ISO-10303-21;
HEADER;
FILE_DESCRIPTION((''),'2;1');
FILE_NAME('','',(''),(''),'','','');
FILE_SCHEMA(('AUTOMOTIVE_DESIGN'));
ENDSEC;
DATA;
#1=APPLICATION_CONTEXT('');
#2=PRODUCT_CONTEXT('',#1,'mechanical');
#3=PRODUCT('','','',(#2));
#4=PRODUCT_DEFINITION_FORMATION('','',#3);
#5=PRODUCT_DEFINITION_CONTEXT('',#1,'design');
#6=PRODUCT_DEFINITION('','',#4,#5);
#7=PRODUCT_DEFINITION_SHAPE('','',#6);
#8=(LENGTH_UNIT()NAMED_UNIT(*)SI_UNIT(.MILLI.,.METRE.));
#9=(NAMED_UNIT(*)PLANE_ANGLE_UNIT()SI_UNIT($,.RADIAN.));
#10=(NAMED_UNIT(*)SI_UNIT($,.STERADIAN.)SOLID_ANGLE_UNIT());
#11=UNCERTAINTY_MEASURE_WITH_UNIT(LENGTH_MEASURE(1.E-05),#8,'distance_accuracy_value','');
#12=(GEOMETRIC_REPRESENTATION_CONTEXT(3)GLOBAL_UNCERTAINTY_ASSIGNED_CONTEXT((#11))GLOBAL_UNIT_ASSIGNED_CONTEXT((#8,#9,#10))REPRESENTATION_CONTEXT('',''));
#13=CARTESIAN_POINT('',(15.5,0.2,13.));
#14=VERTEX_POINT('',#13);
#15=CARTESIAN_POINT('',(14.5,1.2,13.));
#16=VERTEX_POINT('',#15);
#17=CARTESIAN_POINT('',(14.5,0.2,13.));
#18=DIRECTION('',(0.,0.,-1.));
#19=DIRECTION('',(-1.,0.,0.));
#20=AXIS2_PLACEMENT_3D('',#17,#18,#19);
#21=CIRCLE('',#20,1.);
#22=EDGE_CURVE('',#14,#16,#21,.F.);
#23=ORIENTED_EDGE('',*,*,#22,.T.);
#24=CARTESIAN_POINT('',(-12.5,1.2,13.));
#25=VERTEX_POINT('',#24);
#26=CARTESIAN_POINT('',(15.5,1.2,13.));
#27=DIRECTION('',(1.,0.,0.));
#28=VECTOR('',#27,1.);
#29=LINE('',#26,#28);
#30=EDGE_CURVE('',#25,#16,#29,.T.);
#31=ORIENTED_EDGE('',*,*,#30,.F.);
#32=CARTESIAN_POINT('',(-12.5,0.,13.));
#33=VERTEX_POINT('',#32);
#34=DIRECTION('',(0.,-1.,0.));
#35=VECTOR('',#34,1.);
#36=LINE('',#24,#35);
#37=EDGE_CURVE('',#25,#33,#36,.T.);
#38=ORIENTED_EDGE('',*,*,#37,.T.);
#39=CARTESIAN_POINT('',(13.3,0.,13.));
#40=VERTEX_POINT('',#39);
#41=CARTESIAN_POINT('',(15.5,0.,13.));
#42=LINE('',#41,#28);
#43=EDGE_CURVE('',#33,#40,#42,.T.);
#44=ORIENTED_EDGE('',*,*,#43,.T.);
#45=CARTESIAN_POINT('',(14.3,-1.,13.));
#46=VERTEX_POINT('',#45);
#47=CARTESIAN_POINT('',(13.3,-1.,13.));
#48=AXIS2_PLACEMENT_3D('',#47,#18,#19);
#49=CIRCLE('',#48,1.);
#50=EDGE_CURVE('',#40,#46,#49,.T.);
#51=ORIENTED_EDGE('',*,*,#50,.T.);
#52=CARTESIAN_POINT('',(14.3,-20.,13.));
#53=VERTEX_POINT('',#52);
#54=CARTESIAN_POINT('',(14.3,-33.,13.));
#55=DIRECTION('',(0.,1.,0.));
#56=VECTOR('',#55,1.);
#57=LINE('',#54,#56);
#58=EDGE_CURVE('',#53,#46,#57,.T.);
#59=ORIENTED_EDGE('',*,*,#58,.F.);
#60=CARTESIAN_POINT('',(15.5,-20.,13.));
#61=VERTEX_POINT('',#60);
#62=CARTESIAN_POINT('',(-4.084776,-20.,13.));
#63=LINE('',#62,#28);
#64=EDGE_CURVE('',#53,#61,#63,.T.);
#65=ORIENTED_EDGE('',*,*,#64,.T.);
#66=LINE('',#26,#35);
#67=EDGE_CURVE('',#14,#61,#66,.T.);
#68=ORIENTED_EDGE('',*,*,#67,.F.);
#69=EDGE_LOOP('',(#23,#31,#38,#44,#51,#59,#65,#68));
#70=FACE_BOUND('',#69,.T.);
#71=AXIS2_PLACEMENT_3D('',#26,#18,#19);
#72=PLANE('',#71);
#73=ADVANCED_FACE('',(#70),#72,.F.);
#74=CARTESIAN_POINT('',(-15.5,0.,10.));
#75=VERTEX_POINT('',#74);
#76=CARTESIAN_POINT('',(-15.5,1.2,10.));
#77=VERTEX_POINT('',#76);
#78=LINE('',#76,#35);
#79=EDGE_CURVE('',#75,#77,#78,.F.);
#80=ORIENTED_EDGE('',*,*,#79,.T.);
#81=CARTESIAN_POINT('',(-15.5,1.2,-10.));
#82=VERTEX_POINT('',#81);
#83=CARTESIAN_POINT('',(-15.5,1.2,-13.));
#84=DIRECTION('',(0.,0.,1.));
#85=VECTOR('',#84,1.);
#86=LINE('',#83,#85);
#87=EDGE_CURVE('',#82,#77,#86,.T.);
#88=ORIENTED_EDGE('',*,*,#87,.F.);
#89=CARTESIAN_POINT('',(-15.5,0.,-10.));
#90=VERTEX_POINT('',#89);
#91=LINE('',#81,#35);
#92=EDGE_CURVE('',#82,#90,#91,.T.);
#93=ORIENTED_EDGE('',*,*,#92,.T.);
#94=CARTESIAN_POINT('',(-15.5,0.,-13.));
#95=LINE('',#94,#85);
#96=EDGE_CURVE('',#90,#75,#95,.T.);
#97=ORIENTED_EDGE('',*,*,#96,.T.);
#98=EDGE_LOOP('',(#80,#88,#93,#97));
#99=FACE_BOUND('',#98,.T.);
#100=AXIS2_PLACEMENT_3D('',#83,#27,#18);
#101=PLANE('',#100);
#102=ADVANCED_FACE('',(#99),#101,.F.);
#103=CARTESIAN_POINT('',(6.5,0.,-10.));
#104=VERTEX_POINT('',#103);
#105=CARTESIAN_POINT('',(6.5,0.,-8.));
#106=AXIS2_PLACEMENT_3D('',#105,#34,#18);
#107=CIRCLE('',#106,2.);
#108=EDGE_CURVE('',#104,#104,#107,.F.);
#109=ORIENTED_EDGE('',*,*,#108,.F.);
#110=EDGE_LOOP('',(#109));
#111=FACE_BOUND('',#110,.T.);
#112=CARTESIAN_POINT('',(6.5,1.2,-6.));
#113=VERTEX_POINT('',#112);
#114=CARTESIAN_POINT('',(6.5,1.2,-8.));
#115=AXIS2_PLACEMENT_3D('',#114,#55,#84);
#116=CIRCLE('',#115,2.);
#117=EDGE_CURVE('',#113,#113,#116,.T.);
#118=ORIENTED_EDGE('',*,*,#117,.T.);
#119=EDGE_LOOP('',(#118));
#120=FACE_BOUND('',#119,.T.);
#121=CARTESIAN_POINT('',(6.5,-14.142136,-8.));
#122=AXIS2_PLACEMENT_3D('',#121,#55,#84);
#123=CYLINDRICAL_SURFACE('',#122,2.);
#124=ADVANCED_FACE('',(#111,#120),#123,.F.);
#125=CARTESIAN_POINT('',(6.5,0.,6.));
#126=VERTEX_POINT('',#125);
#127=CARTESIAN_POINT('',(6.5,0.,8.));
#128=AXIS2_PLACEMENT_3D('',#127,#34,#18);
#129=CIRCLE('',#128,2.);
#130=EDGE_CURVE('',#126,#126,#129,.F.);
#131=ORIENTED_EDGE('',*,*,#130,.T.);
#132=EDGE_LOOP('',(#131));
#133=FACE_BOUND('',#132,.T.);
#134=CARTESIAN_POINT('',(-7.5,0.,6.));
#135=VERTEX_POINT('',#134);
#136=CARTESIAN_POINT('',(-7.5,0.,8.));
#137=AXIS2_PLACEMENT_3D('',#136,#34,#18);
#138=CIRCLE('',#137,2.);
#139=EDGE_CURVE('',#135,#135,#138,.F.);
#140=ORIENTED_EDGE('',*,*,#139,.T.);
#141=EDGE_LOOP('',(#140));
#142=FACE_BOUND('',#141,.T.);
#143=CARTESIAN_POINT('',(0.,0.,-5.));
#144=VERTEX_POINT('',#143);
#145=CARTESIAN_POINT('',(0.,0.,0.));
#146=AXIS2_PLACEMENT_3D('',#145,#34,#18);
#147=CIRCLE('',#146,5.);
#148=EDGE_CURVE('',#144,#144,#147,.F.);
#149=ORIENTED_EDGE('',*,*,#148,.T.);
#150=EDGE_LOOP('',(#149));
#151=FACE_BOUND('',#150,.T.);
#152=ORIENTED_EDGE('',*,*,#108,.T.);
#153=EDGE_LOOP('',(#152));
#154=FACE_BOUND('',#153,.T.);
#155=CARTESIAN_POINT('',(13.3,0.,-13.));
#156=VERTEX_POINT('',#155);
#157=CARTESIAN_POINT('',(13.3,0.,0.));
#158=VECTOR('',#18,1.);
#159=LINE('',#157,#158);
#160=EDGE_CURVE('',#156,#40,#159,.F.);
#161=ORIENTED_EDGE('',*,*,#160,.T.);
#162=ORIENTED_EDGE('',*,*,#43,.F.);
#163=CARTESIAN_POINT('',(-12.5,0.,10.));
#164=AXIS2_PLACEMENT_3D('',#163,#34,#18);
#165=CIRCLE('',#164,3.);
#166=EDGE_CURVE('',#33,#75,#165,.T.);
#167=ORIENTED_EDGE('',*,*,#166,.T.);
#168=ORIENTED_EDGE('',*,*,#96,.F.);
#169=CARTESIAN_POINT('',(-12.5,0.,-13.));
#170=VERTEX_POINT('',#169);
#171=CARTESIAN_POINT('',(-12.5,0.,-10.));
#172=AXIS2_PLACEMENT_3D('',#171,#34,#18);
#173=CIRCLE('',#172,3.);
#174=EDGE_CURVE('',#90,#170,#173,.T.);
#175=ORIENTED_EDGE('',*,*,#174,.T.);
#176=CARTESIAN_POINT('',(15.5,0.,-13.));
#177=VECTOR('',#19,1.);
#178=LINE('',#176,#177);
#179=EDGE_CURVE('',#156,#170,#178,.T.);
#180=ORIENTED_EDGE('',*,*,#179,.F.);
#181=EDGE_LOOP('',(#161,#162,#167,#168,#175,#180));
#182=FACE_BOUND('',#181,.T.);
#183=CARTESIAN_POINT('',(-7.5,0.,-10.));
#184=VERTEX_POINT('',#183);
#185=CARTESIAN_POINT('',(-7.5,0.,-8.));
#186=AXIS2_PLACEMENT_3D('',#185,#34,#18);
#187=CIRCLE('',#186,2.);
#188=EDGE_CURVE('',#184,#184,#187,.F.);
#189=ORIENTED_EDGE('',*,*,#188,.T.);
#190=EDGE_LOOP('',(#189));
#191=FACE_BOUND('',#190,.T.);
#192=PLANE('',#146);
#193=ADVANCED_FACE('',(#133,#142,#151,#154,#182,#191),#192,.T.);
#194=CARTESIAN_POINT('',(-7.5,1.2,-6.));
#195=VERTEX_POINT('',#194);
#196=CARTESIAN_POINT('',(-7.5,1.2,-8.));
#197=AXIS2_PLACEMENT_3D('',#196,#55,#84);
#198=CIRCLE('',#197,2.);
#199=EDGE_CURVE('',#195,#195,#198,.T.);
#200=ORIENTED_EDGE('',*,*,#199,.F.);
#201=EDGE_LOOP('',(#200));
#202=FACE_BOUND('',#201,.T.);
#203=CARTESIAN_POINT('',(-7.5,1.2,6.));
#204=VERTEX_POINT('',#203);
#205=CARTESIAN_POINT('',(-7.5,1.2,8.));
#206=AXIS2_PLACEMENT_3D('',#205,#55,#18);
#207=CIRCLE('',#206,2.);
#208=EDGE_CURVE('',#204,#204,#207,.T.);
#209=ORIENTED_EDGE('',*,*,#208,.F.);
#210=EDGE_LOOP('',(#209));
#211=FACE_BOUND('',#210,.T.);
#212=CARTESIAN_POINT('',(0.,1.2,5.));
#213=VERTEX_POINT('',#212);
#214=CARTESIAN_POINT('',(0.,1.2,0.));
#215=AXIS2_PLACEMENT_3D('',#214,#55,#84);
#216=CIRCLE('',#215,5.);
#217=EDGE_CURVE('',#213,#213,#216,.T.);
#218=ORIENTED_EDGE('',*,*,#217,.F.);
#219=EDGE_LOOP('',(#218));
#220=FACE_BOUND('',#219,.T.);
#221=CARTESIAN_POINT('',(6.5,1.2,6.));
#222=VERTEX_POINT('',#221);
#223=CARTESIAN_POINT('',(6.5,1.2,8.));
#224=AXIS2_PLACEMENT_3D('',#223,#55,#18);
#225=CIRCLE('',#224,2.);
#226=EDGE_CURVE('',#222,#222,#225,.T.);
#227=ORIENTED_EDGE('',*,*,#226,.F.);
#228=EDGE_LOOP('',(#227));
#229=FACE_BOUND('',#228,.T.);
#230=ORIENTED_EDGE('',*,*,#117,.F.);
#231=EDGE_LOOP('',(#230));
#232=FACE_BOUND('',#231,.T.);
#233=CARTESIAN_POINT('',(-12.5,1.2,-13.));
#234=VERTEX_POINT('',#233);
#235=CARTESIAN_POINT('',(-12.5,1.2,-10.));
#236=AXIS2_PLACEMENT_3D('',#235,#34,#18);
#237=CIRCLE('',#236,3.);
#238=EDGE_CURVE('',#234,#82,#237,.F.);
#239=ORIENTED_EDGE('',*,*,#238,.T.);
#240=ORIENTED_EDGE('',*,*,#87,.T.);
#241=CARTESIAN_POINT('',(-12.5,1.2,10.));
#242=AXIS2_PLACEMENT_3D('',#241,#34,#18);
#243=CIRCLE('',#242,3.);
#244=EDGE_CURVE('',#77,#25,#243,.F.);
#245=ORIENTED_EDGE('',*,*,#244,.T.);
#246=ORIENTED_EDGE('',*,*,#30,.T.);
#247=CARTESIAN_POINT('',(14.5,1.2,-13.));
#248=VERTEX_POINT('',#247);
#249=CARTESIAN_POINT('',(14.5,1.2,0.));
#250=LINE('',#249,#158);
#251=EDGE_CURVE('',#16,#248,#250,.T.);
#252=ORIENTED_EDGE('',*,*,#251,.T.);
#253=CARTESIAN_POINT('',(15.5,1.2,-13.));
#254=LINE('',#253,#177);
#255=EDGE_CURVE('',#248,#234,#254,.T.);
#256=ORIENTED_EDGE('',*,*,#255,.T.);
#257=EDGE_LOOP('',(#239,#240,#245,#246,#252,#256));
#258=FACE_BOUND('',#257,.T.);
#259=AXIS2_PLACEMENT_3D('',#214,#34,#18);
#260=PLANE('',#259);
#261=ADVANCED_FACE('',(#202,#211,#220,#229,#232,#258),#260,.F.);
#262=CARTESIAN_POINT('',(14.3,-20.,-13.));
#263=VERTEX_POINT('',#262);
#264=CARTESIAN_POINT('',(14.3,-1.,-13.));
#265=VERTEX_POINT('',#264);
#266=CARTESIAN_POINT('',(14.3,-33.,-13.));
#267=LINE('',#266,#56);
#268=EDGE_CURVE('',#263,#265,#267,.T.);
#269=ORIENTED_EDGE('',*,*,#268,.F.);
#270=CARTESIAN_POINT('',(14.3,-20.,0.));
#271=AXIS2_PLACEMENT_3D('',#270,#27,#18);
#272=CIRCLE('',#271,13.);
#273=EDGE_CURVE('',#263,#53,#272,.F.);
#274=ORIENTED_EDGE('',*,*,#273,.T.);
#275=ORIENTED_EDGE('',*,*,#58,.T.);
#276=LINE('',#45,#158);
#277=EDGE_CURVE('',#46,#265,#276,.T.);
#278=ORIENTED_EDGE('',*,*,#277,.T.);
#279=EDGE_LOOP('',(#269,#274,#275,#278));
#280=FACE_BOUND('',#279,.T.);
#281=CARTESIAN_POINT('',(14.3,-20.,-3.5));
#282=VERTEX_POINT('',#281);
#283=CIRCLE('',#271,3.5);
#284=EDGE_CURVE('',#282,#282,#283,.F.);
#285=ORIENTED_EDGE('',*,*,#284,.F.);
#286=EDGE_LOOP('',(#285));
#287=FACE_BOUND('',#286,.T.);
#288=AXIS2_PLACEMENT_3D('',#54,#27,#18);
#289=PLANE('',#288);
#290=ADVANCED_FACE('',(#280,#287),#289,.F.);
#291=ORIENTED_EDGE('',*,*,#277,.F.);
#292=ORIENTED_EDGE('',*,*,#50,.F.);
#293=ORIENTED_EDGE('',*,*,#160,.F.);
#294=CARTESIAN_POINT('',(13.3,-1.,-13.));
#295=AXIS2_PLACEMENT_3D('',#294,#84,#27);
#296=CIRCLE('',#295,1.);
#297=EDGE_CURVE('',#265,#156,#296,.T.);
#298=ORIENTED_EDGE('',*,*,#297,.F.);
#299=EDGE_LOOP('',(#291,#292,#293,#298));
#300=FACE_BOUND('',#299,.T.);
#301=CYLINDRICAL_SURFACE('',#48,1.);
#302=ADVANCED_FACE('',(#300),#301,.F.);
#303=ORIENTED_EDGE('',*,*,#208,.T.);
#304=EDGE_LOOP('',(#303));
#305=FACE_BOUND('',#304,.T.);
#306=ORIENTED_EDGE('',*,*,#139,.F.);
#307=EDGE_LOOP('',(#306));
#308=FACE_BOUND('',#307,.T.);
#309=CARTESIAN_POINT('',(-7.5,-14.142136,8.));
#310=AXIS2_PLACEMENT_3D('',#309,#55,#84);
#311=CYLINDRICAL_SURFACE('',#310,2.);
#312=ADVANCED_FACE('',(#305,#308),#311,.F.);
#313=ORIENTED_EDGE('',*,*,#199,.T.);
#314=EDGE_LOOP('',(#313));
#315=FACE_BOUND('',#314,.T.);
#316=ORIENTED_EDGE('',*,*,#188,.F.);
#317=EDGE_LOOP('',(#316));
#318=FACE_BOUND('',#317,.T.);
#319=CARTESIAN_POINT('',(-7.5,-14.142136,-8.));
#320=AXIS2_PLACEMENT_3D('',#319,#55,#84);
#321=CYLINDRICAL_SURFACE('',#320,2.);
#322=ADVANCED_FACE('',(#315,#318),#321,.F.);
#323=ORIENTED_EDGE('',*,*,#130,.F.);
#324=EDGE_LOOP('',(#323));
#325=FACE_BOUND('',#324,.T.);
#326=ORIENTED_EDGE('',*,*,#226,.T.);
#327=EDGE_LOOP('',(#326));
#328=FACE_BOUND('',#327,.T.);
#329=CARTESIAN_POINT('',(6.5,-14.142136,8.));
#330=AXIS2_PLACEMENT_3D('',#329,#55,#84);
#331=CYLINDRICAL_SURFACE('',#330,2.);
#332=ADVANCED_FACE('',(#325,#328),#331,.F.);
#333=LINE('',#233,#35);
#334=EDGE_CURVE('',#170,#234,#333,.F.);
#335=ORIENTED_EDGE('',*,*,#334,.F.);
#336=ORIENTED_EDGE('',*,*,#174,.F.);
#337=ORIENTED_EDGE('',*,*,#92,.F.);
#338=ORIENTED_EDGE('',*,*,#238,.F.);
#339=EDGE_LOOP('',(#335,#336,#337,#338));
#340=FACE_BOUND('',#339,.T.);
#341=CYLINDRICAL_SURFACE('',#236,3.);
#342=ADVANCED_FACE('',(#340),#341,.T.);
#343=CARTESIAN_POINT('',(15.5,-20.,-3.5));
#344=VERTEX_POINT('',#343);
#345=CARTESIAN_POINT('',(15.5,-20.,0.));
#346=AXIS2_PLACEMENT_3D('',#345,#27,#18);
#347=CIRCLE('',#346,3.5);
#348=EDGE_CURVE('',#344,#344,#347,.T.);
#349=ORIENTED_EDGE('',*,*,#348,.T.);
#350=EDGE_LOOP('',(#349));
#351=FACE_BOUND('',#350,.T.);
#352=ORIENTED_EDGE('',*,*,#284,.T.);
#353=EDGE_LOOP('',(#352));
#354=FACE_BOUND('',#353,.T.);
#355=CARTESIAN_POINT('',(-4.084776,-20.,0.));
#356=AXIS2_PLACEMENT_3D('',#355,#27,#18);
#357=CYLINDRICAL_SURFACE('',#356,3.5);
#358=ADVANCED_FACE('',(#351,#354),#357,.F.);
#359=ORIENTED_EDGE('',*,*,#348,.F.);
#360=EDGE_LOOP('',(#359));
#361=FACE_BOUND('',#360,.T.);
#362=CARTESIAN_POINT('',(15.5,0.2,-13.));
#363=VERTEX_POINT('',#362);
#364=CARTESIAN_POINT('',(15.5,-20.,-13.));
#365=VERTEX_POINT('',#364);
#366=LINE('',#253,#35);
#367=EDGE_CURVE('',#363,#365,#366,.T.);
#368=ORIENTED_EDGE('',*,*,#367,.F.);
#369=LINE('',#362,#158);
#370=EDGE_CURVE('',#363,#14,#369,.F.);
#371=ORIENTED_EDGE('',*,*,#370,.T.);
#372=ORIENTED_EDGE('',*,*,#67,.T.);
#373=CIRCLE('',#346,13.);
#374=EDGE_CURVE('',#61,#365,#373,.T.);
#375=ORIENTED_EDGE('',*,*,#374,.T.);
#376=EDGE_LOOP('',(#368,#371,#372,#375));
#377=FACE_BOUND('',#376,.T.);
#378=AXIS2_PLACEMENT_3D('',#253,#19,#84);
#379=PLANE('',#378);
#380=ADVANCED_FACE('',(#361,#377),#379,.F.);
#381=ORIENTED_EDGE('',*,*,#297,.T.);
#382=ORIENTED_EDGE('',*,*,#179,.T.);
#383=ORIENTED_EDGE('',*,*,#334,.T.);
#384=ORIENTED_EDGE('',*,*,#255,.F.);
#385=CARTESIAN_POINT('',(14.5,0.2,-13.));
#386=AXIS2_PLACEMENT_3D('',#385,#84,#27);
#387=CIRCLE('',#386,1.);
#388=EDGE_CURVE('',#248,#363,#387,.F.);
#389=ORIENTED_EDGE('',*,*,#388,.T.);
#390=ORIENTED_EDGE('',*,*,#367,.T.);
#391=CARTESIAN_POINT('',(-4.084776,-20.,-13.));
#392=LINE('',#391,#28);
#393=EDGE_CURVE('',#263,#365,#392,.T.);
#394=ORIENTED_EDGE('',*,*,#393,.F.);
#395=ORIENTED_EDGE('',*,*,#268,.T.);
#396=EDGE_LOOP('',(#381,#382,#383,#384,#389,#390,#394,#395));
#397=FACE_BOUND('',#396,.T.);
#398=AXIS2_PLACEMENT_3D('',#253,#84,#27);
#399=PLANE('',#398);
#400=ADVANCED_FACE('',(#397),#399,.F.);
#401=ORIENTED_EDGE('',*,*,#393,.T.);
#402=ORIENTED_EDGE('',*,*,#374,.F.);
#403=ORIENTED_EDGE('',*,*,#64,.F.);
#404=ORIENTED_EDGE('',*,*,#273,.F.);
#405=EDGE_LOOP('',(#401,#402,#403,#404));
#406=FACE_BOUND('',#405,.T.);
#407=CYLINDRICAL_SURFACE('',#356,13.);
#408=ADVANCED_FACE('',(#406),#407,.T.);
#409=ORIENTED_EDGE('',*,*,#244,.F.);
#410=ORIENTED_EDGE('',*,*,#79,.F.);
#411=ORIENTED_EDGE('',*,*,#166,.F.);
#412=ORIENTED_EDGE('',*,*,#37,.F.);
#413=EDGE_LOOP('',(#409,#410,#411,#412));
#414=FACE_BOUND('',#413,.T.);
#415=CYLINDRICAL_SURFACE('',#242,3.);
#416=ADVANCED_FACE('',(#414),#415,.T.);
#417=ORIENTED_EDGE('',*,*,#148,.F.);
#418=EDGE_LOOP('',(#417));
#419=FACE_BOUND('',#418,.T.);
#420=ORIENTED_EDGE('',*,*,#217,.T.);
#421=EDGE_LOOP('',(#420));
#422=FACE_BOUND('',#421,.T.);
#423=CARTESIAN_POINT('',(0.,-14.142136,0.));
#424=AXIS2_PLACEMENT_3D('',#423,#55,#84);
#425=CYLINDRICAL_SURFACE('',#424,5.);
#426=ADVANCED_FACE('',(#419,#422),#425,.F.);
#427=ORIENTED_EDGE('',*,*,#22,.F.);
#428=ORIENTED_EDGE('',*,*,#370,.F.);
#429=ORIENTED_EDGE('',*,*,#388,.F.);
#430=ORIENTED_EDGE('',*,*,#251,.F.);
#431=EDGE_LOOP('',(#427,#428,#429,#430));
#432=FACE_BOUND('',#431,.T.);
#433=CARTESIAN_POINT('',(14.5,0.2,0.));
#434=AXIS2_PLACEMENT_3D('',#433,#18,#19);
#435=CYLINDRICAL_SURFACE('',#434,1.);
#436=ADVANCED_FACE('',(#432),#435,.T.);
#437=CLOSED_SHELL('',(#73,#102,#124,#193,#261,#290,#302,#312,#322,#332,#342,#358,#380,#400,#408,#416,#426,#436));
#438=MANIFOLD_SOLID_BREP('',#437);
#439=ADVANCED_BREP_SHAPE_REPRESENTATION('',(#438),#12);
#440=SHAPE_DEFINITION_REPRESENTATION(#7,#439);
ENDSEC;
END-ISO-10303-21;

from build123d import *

# Parameters (mm, degrees)
SKETCH1_W           = 31
SKETCH1_H           = 26
BOSS_EXTRUDE1_DEPTH = 1.2
SKETCH3_W           = 1.2
SKETCH3_H           = 26
BOSS_EXTRUDE2_DEPTH = 33
SKETCH4_R           = 3.5
CUT_EXTRUDE1_DEPTH  = 1.2
SKETCH2_R           = 5
SKETCH2_R_2         = 2
CUT_EXTRUDE2_DEPTH  = 1.2
FILLET1_R           = 1
FILLET2_R           = 3


with BuildPart() as part:
    # Sketch1 → Boss-Extrude1 (new body)
    with BuildSketch(Plane(origin=(0, 0, 0), x_dir=(1, 0, 0), z_dir=(0, 1, 0))):
        Rectangle(SKETCH1_W, SKETCH1_H)
    extrude(amount=BOSS_EXTRUDE1_DEPTH)

    # Sketch3 → Boss-Extrude2 (add)
    with BuildSketch(Plane.XZ):
        with Locations((14.9, 0)):
            Rectangle(SKETCH3_W, SKETCH3_H)
    extrude(amount=BOSS_EXTRUDE2_DEPTH)

    # Sketch4 → Cut-Extrude1 (cut)
    with BuildSketch(Plane(origin=(15.5, 0, 0), x_dir=(0, 0, -1), z_dir=(1, 0, 0))):
        with BuildLine():
            Line((13, -33), (13, -20))
            ThreePointArc((13, -20), (9.192388155, -29.192388155), (0, -33))
            Line((0, -33), (13, -33))
        make_face()
        with BuildLine():
            Line((-13, -33), (0, -33))
            ThreePointArc((0, -33), (-9.192388155, -29.192388155), (-13, -20))
            Line((-13, -20), (-13, -33))
        make_face()
        with Locations((0, -20)):
            Circle(SKETCH4_R)
    extrude(amount=-CUT_EXTRUDE1_DEPTH, mode=Mode.SUBTRACT)

    # Sketch2 → Cut-Extrude2 (cut)
    with BuildSketch(Plane(origin=(0, 1.2, 0), x_dir=(1, 0, 0), z_dir=(0, 1, 0))):
        with Locations(Location((0, 0, 0), (0, 0, 270))):
            Circle(SKETCH2_R)
        with Locations(Location((-7.5, 8, 0), (0, 0, 270))):
            Circle(SKETCH2_R_2)
        with Locations(Location((6.5, 8, 0), (0, 0, 270))):
            Circle(SKETCH2_R_2)
        with Locations(Location((6.5, -8, 0), (0, 0, 90))):
            Circle(SKETCH2_R_2)
        with Locations(Location((-7.5, -8, 0), (0, 0, 90))):
            Circle(SKETCH2_R_2)
    extrude(amount=-CUT_EXTRUDE2_DEPTH, mode=Mode.SUBTRACT)

    # Fillet1
    fillet1_edges = [part.edges().sort_by_distance(p)[0] for p in [
        (15.5, 1.2, 0),
        (14.3, 0, 0),
    ]]
    fillet(fillet1_edges, radius=FILLET1_R)

    # Fillet2
    fillet2_edges = [part.edges().sort_by_distance(p)[0] for p in [
        (-15.5, 0.6, -13),
        (-15.5, 0.6, 13),
    ]]
    fillet(fillet2_edges, radius=FILLET2_R)


solid = part.part
